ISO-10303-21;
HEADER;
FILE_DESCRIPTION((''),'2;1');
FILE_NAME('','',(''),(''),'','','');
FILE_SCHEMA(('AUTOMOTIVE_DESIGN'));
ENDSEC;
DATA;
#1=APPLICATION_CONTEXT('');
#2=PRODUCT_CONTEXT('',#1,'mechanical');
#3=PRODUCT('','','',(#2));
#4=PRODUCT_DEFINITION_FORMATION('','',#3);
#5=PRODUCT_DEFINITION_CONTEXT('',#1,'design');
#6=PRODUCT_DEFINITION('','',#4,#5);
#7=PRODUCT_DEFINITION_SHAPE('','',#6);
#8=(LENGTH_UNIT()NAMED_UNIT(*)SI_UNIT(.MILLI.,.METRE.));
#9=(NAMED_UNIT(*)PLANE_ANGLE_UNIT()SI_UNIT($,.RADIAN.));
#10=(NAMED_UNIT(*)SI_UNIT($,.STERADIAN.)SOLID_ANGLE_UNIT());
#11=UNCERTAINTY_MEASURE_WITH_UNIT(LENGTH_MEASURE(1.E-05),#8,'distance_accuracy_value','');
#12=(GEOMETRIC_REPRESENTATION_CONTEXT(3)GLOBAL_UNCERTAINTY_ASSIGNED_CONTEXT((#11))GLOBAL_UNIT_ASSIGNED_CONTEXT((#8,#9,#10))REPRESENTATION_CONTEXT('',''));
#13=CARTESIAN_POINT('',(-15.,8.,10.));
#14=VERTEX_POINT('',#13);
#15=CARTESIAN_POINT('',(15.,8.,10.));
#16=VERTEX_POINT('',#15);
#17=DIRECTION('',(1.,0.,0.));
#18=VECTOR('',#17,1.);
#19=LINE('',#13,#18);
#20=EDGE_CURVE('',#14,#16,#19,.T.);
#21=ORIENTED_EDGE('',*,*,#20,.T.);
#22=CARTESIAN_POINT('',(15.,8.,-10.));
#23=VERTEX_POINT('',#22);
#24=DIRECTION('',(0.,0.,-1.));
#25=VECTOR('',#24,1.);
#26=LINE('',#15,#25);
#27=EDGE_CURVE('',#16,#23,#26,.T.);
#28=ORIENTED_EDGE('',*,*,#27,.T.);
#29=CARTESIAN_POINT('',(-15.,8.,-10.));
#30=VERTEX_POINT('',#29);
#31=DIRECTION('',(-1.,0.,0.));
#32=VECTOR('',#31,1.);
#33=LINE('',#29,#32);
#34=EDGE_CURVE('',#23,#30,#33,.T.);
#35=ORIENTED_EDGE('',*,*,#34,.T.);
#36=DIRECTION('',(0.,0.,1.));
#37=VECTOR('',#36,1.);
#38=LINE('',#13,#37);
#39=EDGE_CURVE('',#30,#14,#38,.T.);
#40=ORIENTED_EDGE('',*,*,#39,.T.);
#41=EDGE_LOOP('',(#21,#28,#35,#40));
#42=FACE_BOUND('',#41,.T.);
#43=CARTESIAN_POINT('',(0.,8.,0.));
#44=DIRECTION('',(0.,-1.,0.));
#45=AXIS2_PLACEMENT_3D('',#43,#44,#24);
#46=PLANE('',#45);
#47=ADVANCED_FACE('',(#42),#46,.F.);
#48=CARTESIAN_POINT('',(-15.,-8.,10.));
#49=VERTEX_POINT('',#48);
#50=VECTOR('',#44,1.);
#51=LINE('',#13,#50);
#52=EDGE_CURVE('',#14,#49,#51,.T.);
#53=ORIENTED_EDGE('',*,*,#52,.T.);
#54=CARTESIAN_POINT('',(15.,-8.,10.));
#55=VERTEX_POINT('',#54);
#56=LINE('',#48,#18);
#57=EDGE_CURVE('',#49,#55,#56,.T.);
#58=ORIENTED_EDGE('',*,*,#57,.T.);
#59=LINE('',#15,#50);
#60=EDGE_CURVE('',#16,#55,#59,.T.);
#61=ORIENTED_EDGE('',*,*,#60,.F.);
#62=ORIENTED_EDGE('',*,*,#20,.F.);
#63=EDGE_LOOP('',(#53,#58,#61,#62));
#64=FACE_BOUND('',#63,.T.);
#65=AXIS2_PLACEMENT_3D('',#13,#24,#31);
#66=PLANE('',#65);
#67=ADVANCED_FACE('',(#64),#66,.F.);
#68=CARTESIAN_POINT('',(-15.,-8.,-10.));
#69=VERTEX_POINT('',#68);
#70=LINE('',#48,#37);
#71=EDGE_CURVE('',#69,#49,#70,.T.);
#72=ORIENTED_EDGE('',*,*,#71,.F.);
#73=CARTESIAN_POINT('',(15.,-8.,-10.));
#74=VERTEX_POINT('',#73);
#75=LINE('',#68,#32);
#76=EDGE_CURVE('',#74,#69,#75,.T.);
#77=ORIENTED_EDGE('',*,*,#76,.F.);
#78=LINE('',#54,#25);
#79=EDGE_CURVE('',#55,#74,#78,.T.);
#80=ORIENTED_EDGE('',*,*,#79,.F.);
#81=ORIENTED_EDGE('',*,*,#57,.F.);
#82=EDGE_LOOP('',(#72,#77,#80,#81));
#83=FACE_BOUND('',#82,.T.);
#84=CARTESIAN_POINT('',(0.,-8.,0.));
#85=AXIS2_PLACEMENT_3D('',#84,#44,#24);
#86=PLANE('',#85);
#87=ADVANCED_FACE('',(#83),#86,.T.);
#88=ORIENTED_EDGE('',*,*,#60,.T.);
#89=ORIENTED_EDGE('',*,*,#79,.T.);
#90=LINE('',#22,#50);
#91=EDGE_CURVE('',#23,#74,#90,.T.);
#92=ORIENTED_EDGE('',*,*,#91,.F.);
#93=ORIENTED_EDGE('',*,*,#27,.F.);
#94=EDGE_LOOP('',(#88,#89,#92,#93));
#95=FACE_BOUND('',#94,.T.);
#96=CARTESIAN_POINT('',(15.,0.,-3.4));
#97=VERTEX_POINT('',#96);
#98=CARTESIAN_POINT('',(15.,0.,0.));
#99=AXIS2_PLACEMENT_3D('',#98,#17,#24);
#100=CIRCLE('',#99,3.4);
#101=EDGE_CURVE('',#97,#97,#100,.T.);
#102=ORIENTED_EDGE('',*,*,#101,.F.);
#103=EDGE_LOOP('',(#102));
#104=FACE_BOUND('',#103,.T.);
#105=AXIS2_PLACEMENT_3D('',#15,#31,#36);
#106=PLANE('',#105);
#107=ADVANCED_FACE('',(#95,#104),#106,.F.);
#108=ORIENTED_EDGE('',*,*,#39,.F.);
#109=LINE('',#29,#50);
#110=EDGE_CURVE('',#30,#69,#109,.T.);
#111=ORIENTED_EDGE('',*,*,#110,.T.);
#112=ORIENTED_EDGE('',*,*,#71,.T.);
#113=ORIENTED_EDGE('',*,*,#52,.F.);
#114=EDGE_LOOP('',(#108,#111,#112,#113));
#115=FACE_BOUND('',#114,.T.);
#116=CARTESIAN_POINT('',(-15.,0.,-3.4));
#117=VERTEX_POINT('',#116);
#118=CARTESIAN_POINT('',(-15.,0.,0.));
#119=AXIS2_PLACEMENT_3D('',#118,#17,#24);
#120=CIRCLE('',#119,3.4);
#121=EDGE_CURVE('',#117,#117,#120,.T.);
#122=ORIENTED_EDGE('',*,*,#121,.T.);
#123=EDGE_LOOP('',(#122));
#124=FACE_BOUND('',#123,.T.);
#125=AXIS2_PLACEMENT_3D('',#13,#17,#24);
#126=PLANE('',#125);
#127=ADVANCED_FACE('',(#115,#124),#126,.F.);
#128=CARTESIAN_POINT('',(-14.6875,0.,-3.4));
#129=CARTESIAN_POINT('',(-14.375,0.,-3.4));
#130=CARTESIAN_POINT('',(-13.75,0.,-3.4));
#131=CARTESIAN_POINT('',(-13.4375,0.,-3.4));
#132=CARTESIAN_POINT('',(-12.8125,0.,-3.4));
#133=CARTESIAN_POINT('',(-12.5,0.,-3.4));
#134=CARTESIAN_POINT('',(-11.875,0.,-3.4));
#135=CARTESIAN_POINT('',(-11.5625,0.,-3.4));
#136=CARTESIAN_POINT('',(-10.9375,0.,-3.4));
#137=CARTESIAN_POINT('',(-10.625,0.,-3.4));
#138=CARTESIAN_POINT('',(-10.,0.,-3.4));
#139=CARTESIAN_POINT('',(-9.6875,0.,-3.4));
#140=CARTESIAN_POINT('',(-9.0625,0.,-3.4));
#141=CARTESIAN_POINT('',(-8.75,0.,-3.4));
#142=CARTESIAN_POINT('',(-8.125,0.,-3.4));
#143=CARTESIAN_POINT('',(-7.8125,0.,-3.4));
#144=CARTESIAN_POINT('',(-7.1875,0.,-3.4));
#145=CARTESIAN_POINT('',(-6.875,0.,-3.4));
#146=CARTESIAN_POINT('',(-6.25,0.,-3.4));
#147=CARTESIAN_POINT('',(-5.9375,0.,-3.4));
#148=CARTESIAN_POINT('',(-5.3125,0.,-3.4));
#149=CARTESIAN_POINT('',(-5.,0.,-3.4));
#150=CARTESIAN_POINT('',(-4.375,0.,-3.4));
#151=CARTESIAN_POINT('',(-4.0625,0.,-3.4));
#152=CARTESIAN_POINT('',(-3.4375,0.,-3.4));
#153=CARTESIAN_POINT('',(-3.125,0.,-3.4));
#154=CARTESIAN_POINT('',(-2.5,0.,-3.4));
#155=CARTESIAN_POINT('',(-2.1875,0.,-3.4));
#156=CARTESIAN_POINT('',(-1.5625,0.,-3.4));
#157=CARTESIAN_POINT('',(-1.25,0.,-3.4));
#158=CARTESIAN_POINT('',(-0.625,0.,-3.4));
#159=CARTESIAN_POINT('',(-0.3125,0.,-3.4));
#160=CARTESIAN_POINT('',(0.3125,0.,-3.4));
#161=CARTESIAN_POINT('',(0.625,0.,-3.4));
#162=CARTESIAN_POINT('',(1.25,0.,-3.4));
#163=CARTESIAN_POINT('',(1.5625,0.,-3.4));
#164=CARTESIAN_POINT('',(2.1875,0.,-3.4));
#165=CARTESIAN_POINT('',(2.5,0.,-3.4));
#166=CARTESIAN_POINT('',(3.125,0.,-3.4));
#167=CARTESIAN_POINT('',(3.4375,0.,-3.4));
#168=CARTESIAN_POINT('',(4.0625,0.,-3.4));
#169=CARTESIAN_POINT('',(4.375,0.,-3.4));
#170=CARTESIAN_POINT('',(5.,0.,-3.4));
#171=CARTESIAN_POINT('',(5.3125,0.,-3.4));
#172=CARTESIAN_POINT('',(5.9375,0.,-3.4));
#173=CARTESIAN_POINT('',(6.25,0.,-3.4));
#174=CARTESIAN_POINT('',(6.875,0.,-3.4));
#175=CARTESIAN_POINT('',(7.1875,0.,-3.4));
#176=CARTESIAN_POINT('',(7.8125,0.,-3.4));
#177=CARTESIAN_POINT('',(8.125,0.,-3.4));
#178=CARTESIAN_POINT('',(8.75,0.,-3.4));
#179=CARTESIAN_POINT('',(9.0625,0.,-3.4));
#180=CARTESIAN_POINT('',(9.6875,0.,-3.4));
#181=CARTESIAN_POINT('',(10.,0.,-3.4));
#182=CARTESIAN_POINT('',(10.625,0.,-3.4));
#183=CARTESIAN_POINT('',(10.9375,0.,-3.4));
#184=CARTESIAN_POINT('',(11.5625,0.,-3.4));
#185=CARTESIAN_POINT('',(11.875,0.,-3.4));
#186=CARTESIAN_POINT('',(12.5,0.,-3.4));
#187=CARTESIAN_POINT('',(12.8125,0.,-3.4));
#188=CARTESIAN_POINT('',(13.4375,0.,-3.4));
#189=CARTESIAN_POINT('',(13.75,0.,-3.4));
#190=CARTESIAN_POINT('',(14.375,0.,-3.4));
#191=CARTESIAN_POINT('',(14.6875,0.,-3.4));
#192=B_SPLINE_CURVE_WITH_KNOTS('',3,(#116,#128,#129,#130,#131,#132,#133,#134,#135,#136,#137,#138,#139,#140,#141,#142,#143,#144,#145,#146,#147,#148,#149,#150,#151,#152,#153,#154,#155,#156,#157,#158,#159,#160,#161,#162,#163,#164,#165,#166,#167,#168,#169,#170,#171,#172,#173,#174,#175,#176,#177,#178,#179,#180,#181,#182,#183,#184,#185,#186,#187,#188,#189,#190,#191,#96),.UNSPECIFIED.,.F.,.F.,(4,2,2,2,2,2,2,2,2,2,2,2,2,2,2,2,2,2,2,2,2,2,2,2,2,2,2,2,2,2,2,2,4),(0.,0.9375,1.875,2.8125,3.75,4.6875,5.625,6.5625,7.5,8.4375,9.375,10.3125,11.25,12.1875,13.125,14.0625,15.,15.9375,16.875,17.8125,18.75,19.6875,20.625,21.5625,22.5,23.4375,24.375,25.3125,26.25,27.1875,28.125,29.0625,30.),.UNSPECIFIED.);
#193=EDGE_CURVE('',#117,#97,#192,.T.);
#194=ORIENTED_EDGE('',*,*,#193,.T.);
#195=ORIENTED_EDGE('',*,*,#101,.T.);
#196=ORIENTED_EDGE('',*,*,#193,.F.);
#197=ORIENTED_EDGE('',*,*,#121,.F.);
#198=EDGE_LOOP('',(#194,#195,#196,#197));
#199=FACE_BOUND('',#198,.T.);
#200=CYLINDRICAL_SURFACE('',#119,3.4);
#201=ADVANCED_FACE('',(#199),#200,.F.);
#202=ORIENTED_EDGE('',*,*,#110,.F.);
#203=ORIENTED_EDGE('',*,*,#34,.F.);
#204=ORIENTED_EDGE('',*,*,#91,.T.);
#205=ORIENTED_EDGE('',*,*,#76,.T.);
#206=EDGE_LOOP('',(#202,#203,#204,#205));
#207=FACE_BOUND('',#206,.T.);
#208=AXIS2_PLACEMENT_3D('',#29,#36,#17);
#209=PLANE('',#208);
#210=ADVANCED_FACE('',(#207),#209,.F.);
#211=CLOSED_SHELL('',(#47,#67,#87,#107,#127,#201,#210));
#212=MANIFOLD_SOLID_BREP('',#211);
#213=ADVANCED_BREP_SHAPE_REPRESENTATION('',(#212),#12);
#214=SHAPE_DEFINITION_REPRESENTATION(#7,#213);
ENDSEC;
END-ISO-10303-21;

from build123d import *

# Parameters (mm, degrees)
SKETCH2_W               = 30
SKETCH2_H               = 20
BOSS_EXTRUDE1_DEPTH     = 8
CUT_EXTRUDE1_DEPTH      = 20.723082923
CUT_EXTRUDE1_DEPTH_BACK = 20.723082923
SKETCH5_R               = 3.4


with BuildPart() as part:
    # Sketch2 → Boss-Extrude1 (new, symmetric)
    with BuildSketch(Plane(origin=(0, 0, 0), x_dir=(1, 0, 0), z_dir=(0, 1, 0))):
        Rectangle(SKETCH2_W, SKETCH2_H)
    extrude(amount=BOSS_EXTRUDE1_DEPTH, both=True)

    # Sketch5 → Cut-Extrude1 (cut, two sides: drawn at the far end of the back side and taken through both)
    with BuildSketch(Plane(origin=(0, 0, 0), x_dir=(0, 0, -1), z_dir=(1, 0, 0)).offset(-CUT_EXTRUDE1_DEPTH_BACK)):
        Circle(SKETCH5_R)
    extrude(amount=CUT_EXTRUDE1_DEPTH + CUT_EXTRUDE1_DEPTH_BACK, mode=Mode.SUBTRACT)


solid = part.part
